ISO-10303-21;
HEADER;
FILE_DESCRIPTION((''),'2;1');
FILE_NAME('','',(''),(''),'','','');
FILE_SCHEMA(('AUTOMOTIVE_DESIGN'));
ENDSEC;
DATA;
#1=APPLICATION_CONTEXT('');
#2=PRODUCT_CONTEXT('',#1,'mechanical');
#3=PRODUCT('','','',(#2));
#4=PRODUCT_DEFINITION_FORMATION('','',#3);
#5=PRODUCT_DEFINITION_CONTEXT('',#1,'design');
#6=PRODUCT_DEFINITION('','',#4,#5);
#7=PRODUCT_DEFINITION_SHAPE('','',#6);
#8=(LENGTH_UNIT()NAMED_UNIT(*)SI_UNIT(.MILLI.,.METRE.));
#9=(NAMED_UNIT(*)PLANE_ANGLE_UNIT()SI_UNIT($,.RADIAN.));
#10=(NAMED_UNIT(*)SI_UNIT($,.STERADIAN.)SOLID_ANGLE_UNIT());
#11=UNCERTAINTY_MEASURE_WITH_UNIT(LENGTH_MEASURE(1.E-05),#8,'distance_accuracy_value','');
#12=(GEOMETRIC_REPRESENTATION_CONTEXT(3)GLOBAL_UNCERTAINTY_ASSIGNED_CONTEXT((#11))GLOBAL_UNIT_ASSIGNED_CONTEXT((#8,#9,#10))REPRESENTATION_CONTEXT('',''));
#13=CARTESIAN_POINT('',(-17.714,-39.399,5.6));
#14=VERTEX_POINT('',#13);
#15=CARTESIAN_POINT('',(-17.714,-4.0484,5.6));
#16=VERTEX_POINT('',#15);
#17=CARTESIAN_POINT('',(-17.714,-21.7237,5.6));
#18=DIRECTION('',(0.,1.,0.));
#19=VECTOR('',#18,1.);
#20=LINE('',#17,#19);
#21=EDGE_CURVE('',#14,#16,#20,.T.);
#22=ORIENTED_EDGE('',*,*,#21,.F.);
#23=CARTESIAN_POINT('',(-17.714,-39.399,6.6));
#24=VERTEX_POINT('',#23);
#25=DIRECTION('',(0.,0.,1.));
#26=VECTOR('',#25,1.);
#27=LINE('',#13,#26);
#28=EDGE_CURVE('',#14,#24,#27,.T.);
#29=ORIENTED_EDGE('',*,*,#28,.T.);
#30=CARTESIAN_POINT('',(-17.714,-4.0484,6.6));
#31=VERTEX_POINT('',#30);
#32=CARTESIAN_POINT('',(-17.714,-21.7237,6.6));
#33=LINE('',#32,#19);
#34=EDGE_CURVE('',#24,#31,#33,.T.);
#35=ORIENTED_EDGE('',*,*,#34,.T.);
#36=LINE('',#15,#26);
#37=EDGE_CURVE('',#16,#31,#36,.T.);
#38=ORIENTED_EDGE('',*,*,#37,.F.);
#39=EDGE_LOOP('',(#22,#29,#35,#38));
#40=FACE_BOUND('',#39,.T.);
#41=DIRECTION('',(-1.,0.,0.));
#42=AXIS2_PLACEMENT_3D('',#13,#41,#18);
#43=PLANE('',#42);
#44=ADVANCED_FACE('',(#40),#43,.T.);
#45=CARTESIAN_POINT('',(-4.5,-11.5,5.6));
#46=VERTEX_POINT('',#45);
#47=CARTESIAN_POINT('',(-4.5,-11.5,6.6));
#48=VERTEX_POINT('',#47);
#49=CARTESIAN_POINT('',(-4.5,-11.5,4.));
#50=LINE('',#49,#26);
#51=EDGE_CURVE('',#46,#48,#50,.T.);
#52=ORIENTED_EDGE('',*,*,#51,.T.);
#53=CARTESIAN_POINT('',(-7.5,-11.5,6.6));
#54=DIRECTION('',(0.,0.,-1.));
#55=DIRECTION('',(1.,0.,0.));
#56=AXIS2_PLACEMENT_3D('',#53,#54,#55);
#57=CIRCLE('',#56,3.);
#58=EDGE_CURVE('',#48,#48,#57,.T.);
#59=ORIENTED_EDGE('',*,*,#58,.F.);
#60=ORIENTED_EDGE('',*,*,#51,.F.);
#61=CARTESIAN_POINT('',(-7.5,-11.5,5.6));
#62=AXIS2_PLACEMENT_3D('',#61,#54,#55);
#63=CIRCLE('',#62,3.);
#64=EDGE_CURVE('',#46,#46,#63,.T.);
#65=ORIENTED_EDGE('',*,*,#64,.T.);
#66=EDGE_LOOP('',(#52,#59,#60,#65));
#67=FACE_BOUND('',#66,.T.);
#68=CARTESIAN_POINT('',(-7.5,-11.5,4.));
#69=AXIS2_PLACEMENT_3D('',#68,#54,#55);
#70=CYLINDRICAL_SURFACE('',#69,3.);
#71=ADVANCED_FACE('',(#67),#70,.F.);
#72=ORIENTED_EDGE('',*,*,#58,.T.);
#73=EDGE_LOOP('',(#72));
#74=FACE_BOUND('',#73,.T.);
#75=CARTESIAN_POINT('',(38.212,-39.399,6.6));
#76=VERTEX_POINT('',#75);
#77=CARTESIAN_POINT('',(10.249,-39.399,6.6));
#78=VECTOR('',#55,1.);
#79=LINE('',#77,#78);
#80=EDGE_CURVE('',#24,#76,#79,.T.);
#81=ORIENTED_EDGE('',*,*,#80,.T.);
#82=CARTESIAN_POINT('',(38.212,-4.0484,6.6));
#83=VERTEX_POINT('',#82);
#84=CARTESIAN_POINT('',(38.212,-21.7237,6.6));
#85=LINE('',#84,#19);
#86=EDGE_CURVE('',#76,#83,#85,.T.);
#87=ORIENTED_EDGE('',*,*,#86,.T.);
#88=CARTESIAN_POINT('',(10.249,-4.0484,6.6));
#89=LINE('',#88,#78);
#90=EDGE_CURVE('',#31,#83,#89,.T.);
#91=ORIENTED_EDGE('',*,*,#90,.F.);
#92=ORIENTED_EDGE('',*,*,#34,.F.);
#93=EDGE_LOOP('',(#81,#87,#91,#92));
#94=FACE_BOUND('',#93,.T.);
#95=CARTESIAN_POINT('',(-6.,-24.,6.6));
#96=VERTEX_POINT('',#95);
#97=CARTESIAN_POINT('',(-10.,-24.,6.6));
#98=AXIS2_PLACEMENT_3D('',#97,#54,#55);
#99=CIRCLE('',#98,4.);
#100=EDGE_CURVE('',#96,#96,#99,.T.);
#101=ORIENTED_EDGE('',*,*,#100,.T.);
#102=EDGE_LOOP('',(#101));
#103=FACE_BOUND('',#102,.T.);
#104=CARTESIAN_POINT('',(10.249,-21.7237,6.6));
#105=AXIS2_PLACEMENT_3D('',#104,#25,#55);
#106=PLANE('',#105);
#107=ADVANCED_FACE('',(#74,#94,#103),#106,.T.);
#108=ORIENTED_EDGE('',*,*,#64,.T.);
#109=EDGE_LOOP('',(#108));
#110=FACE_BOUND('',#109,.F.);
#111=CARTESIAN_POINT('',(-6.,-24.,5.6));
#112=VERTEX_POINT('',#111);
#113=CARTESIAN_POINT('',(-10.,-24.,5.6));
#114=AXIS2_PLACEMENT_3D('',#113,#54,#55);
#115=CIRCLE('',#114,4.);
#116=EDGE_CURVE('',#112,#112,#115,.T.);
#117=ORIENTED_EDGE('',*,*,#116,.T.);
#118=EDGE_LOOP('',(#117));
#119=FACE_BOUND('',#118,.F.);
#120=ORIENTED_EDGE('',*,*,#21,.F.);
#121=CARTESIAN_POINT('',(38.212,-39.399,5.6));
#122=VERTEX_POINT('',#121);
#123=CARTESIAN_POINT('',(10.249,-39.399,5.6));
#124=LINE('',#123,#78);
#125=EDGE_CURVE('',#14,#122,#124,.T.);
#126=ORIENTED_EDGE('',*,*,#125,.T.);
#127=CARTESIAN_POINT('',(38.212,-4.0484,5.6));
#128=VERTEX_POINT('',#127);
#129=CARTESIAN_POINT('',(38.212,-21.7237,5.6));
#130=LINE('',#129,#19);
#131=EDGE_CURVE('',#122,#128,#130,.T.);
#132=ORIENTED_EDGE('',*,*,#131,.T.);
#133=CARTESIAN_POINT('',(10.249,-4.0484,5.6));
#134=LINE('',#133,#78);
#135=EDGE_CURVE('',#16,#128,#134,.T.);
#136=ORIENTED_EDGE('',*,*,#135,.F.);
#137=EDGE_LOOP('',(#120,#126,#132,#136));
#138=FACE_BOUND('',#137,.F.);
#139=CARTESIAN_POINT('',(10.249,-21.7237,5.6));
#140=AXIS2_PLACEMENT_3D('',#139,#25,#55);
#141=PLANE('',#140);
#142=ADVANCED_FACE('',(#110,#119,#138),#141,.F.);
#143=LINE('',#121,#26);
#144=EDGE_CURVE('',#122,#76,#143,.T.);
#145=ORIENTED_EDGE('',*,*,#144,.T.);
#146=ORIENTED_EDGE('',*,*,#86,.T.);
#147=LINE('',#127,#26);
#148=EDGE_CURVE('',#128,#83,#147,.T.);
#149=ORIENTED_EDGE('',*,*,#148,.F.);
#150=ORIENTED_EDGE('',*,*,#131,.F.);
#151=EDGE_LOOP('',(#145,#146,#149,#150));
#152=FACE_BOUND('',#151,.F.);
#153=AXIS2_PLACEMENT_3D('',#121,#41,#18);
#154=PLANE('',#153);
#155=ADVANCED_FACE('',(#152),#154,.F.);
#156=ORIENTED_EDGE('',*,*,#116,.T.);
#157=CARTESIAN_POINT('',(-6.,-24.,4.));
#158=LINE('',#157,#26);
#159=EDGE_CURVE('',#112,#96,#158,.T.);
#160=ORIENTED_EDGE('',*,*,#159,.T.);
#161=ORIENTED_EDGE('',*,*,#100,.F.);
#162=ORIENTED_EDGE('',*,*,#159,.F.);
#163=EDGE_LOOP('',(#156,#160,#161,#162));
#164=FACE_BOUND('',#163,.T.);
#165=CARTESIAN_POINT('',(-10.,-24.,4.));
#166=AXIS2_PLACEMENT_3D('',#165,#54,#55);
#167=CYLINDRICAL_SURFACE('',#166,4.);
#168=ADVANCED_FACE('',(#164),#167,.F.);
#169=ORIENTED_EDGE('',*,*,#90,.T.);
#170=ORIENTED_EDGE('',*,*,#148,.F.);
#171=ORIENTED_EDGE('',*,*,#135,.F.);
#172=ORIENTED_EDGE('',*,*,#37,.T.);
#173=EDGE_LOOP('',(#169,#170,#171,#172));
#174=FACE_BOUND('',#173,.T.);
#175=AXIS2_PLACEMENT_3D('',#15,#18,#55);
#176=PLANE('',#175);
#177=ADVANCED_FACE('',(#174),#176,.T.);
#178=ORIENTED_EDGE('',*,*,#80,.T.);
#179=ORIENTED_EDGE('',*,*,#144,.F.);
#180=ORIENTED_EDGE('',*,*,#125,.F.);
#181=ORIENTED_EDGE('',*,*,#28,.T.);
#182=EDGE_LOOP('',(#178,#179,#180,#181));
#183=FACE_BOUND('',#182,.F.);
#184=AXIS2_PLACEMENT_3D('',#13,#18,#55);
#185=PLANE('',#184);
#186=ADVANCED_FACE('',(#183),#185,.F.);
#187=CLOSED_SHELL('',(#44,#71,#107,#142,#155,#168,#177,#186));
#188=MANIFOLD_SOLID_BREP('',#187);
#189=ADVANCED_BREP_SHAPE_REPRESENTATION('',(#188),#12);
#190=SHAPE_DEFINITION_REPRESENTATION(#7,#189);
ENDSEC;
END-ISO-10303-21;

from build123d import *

# Parameters (mm, degrees)
CYLINDER_R        = 3
CYLINDER_DEPTH    = 10
CYLINDER001_R     = 4
CYLINDER001_DEPTH = 10
SKETCH015_W       = 55.926
SKETCH015_H       = 35.3506
EXTRUDE034_DEPTH  = 1


with BuildPart() as cylinder:
    # Cylinder → Cylinder (new body)
    with BuildSketch(Plane(origin=(-7.5, -11.5, 4), x_dir=(1, 0, 0), z_dir=(0, 0, 1))):
        Circle(CYLINDER_R)
    extrude(amount=CYLINDER_DEPTH)


with BuildPart() as cylinder001:
    # Cylinder001 → Cylinder001 (new body)
    with BuildSketch(Plane(origin=(-10, -24, 4), x_dir=(1, 0, 0), z_dir=(0, 0, 1))):
        Circle(CYLINDER001_R)
    extrude(amount=CYLINDER001_DEPTH)


with BuildPart() as cut001:
    # Sketch015 (on Face6 of Extrude027) → Extrude034 (new body)
    with BuildSketch(Plane.XY.offset(5.6)):
        with Locations((10.249, -21.7237)):
            Rectangle(SKETCH015_W, SKETCH015_H)
    extrude(amount=EXTRUDE034_DEPTH)

    # Cut: cut Cylinder001
    add(cylinder001.part, mode=Mode.SUBTRACT)

    # Cut001: cut Cylinder
    add(cylinder.part, mode=Mode.SUBTRACT)


solid = cut001.part
